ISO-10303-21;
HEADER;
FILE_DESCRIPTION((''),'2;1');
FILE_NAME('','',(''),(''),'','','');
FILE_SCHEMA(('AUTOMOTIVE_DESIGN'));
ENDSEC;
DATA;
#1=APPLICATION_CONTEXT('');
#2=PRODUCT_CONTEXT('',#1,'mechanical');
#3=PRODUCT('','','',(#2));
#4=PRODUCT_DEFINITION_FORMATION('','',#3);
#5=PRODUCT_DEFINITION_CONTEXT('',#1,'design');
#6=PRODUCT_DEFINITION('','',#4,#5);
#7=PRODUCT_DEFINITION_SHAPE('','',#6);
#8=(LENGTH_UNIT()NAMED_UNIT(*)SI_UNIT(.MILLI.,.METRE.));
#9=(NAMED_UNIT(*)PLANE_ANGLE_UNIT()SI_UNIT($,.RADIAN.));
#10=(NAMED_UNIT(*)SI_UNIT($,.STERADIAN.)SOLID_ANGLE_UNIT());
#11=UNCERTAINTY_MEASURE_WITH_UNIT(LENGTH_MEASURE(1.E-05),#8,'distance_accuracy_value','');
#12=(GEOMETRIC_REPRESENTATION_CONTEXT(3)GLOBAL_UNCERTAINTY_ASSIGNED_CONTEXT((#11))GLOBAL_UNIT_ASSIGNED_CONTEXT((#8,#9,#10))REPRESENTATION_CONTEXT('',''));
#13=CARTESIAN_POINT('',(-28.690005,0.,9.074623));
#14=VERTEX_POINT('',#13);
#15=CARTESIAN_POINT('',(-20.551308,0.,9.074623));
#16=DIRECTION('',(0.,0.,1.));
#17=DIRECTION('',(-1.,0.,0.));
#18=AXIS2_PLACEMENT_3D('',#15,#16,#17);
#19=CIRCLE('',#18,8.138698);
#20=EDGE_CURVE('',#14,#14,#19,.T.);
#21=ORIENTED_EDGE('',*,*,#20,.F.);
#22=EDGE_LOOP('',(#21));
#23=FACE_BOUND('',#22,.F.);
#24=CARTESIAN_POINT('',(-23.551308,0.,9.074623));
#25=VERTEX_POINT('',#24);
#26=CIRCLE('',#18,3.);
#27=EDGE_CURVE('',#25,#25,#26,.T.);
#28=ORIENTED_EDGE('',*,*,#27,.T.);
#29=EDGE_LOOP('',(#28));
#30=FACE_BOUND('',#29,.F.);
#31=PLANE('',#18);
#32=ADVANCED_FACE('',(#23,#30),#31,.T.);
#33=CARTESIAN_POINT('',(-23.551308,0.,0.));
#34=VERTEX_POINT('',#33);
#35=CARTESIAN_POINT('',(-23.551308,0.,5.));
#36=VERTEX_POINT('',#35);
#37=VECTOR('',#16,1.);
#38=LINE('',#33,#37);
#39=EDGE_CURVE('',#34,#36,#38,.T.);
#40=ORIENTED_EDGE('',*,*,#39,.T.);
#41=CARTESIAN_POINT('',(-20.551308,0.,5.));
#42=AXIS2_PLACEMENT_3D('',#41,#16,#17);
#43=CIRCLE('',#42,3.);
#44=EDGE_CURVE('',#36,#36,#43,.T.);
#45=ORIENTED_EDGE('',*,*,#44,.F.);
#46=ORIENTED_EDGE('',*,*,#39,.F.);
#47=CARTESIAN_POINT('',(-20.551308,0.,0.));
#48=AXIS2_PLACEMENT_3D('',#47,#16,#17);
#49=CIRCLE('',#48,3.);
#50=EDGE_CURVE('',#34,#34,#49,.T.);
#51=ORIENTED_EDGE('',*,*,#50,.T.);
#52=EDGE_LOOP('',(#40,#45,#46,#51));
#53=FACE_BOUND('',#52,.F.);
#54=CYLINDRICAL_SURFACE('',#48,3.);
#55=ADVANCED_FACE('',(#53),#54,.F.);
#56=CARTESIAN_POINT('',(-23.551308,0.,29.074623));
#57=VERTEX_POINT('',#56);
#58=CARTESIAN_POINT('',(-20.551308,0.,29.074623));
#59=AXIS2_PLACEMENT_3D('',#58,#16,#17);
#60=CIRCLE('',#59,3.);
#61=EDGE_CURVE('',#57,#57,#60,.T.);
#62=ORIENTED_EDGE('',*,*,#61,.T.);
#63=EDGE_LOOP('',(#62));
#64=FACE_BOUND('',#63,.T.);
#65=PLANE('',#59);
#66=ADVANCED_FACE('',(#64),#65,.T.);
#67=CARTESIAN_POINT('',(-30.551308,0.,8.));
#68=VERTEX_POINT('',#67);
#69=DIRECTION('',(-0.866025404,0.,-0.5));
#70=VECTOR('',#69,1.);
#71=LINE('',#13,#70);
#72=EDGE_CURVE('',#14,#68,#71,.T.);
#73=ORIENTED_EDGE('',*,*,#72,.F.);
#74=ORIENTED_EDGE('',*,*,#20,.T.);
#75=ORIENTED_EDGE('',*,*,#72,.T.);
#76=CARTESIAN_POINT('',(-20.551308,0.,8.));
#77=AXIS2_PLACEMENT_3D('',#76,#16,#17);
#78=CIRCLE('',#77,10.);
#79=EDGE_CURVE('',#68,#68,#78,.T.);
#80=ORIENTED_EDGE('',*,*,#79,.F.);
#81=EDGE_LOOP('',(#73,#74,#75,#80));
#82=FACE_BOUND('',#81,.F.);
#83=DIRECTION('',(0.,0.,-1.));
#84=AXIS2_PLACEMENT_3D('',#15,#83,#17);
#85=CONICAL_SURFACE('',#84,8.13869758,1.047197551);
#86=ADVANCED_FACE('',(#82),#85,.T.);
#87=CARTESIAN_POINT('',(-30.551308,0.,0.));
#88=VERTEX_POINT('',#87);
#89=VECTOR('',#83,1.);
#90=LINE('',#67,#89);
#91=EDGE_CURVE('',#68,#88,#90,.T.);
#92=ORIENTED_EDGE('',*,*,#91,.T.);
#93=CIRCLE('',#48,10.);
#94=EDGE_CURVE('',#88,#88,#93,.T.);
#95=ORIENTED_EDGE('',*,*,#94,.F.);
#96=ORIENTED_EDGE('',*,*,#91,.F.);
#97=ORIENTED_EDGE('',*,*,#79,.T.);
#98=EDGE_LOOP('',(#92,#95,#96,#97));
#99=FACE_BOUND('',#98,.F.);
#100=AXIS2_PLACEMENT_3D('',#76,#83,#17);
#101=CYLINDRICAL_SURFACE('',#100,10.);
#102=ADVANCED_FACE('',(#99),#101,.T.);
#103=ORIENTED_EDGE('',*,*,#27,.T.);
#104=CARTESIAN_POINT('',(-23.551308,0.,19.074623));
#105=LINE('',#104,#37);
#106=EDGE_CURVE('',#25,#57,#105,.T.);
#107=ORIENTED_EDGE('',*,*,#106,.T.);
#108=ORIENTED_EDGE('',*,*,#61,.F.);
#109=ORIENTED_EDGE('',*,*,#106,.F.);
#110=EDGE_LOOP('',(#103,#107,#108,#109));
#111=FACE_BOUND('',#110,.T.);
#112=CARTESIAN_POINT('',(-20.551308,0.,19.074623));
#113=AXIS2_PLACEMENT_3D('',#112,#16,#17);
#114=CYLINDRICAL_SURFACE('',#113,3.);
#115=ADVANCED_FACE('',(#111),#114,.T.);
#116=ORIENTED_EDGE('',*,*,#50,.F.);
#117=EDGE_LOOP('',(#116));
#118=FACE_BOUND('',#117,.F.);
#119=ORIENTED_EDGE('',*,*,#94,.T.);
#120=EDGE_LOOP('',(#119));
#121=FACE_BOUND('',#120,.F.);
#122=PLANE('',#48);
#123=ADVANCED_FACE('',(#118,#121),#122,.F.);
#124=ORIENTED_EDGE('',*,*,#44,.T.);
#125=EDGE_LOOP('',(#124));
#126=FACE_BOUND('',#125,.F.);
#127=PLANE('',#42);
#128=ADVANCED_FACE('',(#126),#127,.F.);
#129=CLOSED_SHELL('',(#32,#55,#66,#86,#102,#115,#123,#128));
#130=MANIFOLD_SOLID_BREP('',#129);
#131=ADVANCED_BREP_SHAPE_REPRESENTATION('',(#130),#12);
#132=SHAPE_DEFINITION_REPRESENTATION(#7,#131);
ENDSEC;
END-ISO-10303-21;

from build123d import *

# Parameters (mm, degrees)
F0_W   = 3
F0_H   = 20
F0_H_2 = 3
F0_H_3 = 1.0746234533


with BuildPart() as f1:
    # F0 (on Front) → F1 (revolve)
    with BuildSketch(Plane.XZ):
        with Locations((-22.0513077103, 19.0746234533)):
            Rectangle(F0_W, F0_H)
        Polygon((-23.5513077103, 8), (-30.5513077103, 8), (-30.5513077103, 0), (-23.5513077103, 0), (-23.5513077103, 5), align=None)
        Polygon((-28.6900052902, 9.0746234533), (-30.5513077103, 8), (-23.5513077103, 8), (-23.5513077103, 9.0746234533), align=None)
        with Locations((-22.0513077103, 6.5)):
            Rectangle(F0_W, F0_H_2)
        with Locations((-22.0513077103, 8.5373117267)):
            Rectangle(F0_W, F0_H_3)
    revolve(axis=Axis((-20.5513077103, 0, 19.0746234533), (0, 0, 1)))


solid = f1.part
